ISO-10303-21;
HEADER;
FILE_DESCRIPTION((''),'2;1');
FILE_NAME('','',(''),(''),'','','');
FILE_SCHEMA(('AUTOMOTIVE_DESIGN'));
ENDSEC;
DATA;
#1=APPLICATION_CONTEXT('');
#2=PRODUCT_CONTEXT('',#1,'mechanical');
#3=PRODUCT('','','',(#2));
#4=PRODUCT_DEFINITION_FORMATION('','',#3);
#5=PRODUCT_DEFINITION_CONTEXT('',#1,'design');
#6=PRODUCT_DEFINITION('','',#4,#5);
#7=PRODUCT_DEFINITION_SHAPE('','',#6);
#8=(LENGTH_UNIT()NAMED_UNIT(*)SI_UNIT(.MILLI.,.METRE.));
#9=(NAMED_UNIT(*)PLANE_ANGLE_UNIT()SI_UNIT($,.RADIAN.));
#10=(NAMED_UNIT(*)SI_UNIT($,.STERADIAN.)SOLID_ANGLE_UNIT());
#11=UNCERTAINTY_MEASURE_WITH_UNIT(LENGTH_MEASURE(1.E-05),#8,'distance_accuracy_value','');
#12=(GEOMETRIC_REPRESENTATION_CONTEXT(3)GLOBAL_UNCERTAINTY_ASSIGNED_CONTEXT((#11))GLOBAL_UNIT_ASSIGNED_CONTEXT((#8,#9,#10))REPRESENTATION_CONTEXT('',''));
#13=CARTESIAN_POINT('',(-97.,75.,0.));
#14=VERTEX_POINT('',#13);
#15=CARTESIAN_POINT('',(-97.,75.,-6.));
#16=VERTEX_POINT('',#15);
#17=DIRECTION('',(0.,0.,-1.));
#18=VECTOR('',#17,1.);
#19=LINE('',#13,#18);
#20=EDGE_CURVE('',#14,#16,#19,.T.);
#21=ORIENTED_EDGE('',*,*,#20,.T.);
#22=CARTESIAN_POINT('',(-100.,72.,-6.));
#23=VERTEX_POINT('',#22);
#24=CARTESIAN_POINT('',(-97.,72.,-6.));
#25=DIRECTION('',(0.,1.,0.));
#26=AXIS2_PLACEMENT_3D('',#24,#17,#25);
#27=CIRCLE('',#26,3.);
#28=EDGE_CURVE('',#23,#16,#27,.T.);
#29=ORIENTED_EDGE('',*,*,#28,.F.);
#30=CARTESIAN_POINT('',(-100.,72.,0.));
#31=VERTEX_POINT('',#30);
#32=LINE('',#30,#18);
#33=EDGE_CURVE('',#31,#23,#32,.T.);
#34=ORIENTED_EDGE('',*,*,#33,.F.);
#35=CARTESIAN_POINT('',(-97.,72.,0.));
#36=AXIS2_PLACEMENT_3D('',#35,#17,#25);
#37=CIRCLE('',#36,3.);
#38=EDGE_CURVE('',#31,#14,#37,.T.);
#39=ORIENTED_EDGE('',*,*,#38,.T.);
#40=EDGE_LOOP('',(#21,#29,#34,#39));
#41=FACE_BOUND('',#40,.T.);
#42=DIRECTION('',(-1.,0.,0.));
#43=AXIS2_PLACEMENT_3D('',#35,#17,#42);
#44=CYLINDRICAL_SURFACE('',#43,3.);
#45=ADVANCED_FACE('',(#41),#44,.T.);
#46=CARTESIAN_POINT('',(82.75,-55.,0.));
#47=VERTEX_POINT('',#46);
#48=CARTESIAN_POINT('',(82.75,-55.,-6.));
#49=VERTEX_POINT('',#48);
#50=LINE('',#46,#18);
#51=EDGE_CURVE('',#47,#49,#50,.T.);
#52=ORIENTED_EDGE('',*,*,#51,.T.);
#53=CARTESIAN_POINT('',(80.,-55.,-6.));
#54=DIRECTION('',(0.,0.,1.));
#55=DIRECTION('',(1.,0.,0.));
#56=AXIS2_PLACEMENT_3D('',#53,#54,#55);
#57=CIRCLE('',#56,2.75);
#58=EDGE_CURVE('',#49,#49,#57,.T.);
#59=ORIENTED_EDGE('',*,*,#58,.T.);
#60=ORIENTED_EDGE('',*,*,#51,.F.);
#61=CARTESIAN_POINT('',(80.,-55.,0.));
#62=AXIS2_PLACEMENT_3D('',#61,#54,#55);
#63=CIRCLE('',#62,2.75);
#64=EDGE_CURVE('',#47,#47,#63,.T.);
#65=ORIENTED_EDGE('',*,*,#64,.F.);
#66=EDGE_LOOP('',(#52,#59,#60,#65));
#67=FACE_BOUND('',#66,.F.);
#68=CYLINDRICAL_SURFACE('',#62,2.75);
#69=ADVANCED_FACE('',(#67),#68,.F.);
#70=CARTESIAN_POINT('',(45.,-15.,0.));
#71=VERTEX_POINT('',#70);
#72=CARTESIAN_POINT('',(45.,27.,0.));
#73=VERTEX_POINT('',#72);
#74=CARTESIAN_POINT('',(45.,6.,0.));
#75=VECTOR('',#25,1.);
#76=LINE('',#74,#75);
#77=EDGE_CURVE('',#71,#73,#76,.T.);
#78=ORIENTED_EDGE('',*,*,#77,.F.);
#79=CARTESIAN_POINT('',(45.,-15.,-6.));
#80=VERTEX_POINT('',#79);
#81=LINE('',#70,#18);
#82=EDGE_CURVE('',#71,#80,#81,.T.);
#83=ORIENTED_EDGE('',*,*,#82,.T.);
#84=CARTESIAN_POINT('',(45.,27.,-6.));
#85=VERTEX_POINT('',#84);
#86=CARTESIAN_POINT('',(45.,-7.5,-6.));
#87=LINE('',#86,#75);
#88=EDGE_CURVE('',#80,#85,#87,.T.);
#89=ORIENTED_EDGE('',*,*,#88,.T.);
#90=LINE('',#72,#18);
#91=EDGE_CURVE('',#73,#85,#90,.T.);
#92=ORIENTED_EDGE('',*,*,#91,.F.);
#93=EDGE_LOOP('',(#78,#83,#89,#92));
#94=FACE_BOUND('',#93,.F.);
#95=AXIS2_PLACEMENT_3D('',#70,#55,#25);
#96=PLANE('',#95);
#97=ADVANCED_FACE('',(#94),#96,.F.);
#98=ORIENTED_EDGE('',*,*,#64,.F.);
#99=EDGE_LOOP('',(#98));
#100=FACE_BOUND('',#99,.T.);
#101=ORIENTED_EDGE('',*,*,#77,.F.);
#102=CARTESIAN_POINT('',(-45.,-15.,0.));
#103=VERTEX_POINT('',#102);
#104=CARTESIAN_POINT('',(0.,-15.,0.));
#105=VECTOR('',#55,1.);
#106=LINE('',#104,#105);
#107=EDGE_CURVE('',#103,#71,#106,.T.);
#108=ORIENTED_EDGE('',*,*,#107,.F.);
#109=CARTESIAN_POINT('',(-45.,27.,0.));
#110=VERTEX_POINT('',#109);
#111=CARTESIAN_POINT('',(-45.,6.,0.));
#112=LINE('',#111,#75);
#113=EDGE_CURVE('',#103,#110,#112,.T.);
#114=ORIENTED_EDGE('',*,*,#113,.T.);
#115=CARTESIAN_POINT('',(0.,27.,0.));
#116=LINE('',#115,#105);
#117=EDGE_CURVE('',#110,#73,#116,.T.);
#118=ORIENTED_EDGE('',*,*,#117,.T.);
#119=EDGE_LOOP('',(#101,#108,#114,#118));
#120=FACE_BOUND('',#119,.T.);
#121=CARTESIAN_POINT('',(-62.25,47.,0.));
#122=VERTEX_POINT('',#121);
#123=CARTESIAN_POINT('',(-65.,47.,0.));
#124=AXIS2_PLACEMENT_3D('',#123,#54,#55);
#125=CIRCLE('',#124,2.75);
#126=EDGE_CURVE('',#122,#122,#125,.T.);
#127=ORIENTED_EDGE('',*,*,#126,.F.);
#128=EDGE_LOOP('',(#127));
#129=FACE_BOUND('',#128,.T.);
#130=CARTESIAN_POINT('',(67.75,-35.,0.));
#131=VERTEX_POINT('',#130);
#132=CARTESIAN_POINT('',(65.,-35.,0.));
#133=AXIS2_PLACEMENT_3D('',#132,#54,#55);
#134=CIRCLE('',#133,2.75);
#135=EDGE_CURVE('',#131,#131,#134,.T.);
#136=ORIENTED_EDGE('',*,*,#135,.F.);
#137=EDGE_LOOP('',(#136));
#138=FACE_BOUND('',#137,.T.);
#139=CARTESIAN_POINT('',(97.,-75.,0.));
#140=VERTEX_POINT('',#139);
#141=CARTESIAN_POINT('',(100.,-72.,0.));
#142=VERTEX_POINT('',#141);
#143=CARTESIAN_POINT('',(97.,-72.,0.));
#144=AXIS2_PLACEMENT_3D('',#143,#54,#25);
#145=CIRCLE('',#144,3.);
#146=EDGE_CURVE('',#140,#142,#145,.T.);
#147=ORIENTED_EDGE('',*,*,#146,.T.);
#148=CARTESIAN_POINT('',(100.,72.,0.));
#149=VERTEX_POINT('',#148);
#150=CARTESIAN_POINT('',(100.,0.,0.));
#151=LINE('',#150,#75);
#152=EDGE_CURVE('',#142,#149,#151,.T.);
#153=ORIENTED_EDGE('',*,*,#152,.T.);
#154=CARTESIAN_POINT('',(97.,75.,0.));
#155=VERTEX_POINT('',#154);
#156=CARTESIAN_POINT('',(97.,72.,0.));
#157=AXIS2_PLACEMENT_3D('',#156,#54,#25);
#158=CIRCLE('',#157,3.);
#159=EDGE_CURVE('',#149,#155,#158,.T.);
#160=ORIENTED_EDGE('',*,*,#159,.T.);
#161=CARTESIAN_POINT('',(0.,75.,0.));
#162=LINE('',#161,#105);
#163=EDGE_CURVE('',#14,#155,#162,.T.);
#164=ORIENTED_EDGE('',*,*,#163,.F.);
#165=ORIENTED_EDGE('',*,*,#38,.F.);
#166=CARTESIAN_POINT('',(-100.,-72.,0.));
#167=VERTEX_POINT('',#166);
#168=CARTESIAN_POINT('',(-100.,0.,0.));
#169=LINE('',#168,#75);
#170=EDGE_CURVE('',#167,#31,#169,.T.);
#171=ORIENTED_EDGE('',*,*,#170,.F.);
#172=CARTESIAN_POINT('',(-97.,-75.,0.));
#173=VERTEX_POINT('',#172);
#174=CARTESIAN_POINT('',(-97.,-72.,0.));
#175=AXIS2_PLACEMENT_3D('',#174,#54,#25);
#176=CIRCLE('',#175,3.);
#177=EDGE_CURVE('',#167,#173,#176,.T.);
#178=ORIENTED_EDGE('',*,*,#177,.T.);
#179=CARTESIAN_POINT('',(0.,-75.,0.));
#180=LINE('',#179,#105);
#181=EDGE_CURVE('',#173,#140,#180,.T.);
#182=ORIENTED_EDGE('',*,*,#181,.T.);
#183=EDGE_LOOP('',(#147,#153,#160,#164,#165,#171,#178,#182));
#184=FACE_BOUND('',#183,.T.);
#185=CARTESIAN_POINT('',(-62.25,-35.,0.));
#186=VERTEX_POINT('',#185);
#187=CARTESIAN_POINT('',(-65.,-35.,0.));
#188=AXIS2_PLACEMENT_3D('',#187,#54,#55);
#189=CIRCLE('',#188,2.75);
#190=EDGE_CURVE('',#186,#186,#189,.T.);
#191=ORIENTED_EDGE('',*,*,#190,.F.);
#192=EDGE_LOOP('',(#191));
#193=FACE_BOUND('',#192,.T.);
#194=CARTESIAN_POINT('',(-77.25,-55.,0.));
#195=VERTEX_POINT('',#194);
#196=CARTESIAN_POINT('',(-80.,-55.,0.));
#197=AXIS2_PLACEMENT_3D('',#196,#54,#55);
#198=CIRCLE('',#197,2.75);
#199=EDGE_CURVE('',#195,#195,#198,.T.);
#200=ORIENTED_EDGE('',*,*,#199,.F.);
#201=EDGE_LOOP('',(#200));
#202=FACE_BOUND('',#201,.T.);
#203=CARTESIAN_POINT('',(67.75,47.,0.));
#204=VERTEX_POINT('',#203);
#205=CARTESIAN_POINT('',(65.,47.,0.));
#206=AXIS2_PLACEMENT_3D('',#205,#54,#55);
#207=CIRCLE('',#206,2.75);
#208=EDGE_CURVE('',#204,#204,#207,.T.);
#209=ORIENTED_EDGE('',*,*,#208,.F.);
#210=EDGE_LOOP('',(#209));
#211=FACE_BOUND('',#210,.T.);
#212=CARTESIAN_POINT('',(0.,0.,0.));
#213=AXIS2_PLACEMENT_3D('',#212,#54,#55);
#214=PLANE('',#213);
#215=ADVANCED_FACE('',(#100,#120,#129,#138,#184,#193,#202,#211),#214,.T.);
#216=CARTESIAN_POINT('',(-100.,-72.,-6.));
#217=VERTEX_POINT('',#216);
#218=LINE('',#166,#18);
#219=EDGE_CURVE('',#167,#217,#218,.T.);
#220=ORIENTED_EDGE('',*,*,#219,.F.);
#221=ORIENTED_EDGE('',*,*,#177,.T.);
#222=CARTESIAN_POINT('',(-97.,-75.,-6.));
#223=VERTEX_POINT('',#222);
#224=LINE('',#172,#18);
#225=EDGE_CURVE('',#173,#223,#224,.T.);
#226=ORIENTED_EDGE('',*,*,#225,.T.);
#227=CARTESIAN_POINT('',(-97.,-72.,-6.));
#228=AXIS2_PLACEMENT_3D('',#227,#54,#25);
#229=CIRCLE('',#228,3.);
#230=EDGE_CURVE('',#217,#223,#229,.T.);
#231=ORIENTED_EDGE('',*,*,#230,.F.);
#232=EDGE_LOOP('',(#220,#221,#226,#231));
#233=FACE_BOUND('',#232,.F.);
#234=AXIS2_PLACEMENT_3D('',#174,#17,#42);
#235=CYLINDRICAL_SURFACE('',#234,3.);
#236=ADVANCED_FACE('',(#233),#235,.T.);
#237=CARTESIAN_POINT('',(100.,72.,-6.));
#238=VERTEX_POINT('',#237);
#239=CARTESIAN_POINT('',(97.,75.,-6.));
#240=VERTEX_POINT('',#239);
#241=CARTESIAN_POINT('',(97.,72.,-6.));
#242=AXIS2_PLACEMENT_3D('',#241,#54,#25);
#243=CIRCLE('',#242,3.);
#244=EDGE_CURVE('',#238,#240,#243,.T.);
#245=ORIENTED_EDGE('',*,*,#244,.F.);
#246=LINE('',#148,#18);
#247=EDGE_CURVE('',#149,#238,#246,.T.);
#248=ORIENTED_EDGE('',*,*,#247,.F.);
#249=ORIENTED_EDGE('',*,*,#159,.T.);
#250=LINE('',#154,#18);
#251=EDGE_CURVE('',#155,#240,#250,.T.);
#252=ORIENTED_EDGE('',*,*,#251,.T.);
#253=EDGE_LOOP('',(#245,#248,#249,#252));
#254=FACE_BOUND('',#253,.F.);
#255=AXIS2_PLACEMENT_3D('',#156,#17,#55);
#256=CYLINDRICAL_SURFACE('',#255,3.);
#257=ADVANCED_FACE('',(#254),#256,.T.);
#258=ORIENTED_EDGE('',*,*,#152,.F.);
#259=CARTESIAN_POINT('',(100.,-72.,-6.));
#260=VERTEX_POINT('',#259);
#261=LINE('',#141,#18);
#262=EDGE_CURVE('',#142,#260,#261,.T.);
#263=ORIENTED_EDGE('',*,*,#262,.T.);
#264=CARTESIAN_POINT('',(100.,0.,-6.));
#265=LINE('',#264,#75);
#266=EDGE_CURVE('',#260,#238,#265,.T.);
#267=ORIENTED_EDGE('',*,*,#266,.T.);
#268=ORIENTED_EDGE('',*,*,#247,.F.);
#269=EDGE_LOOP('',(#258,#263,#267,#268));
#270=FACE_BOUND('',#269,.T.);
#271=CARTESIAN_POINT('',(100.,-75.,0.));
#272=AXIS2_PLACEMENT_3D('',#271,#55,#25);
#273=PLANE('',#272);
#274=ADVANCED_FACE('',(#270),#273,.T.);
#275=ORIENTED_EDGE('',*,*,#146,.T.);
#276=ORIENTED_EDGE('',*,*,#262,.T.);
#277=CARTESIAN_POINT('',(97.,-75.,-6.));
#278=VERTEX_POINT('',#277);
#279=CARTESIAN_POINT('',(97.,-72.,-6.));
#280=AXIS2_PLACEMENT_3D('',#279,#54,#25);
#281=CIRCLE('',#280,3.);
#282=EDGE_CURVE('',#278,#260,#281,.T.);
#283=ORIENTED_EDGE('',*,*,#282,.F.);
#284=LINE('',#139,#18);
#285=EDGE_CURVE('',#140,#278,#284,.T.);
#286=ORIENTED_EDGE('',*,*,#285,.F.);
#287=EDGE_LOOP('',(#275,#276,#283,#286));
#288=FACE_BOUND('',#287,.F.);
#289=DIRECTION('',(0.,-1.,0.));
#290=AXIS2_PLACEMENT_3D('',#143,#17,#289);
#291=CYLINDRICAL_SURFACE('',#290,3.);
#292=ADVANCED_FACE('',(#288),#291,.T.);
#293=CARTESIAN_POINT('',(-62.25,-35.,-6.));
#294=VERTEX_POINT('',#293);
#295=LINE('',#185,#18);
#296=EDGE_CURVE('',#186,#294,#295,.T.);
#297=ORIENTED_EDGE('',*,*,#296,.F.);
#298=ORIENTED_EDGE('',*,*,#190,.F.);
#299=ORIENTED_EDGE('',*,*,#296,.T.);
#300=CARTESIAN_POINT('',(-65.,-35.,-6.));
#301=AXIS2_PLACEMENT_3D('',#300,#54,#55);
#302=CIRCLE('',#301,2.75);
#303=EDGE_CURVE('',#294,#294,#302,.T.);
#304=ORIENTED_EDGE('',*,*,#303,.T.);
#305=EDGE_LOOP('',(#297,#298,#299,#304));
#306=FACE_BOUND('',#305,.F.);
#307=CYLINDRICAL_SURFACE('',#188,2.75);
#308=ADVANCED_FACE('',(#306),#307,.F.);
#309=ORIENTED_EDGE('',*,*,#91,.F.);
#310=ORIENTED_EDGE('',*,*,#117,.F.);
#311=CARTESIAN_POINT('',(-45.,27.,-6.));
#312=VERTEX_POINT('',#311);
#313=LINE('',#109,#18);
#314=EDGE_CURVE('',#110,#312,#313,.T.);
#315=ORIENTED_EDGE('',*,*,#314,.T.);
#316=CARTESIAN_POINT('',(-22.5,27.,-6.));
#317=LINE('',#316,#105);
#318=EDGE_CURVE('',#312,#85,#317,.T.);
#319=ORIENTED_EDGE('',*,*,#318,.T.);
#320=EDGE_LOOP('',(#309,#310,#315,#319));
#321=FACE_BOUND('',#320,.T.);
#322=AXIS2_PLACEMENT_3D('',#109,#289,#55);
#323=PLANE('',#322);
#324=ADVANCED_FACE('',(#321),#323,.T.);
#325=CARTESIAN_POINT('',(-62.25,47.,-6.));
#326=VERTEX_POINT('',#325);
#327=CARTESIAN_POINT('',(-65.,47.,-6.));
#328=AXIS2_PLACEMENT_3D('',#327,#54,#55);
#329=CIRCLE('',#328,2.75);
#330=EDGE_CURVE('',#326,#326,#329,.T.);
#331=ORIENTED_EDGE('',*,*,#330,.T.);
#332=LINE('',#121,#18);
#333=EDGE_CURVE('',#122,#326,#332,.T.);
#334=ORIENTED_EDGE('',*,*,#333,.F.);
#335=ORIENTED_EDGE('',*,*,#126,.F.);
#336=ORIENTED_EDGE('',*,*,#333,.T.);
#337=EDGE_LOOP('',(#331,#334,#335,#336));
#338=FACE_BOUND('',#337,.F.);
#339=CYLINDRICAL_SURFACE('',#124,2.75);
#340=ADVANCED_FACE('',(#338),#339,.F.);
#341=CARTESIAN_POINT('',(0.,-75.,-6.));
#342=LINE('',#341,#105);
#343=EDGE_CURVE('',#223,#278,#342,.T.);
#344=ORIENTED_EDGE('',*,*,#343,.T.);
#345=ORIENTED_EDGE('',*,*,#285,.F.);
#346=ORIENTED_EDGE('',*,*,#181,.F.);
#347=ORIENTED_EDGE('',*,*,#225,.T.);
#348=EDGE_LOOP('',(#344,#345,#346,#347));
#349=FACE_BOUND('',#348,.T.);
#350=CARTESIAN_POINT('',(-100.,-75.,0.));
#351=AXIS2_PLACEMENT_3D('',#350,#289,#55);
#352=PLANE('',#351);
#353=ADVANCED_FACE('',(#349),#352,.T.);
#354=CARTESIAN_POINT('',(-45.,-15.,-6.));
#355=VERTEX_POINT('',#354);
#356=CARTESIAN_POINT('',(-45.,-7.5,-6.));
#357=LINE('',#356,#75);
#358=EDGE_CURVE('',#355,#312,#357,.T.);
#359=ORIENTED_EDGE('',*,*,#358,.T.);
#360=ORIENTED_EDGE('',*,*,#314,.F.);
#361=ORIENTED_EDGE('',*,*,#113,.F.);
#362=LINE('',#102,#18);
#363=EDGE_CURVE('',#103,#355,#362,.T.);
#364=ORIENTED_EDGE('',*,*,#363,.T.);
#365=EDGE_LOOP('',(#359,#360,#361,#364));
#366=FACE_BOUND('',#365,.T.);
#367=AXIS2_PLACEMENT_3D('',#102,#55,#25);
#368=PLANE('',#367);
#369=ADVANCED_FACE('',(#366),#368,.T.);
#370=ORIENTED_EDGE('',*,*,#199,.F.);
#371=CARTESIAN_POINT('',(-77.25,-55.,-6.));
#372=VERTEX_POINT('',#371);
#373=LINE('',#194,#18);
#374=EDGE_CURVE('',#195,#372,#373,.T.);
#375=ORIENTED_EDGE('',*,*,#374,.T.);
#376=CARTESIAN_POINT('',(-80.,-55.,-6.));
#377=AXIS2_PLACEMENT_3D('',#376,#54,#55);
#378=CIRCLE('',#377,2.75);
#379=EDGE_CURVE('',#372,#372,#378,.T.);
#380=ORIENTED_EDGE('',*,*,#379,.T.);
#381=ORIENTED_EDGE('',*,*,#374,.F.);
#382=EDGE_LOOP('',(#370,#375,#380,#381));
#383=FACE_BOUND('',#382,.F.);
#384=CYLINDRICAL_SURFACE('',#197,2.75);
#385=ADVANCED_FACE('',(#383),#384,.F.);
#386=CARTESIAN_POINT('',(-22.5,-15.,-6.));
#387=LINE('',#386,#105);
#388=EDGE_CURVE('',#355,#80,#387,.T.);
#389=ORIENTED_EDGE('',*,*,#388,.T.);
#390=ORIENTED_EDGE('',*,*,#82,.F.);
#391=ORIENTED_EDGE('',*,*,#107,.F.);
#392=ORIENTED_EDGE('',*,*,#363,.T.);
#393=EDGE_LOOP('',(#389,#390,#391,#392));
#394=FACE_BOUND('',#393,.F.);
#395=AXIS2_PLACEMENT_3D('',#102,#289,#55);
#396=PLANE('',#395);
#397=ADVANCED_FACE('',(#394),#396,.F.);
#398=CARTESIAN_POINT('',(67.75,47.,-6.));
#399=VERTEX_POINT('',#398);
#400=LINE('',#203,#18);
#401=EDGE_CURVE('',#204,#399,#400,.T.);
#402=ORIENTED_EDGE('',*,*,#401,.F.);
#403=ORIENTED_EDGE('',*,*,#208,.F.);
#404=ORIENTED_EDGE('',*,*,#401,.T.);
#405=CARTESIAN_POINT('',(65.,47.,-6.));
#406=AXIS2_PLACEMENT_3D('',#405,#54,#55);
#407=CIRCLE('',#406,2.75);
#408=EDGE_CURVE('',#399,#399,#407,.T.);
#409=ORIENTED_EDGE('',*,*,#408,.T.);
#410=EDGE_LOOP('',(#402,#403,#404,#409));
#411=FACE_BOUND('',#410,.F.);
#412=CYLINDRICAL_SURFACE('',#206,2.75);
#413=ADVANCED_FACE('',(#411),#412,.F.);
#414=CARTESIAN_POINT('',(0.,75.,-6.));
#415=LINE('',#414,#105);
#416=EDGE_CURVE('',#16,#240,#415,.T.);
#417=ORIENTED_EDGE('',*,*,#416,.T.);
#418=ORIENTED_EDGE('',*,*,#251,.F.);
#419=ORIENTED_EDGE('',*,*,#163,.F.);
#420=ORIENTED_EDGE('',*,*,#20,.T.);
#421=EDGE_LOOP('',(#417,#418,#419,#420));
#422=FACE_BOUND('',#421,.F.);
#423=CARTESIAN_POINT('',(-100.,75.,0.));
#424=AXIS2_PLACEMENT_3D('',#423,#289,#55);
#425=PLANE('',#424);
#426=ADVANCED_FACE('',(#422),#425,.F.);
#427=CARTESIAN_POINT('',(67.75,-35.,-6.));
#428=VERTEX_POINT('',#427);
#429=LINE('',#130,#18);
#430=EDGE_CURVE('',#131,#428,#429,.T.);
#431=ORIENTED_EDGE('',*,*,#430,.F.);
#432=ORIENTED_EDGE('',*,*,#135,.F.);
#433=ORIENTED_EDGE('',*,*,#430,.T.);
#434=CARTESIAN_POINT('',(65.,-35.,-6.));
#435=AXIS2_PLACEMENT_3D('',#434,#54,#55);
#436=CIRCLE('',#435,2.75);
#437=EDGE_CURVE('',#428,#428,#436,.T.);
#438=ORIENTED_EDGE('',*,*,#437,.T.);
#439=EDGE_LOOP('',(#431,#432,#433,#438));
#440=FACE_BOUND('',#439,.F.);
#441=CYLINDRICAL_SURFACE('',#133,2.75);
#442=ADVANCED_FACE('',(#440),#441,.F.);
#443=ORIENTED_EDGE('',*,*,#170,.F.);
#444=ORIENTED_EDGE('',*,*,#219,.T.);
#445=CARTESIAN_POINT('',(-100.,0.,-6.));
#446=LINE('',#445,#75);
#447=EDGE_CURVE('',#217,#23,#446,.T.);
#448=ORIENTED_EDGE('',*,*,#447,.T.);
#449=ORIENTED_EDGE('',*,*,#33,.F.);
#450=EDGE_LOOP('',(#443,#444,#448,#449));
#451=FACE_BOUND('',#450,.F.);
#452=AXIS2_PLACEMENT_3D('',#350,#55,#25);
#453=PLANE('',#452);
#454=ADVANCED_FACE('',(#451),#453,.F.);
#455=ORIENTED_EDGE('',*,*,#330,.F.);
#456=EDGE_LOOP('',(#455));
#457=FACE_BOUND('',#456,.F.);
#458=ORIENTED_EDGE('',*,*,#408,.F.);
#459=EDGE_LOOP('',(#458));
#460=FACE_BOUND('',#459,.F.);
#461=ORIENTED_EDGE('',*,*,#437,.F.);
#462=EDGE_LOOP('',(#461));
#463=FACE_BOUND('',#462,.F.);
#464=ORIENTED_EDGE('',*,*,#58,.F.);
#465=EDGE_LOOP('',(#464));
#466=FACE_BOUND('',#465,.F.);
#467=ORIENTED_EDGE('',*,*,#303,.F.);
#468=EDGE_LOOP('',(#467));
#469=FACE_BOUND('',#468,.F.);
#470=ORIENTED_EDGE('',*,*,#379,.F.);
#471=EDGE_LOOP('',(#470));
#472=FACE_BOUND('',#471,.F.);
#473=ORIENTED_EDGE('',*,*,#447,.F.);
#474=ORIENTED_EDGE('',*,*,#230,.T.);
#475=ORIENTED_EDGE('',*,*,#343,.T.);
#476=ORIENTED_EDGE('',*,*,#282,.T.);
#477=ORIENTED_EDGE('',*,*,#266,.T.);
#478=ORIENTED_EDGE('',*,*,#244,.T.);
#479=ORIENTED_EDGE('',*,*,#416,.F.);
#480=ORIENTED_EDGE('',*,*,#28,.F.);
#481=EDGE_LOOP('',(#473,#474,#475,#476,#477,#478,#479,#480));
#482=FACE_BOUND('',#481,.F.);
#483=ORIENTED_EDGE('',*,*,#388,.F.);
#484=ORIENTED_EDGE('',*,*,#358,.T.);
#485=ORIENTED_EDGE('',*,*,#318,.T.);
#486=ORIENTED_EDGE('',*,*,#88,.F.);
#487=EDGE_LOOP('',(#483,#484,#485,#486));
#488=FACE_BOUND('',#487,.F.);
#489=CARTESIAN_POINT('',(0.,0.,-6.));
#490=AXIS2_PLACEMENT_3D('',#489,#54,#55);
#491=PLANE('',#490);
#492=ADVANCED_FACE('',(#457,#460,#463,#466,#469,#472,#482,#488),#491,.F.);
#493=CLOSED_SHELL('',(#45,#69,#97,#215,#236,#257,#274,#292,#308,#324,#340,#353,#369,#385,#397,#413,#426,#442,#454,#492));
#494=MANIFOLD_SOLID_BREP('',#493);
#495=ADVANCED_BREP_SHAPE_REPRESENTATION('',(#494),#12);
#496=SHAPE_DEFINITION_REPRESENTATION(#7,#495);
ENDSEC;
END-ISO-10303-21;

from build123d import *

# Parameters (mm, degrees)
SKETCH_W     = 200
SKETCH_H     = 150
PAD_DEPTH    = 6
FILLET_R     = 3
SKETCH001_R  = 2.75
SKETCH001_W  = 90
SKETCH001_H  = 42
POCKET_DEPTH = 6.001


with BuildPart() as part:
    # Sketch → Pad (new body)
    with BuildSketch(Plane.XY):
        Rectangle(SKETCH_W, SKETCH_H)
    extrude(amount=-PAD_DEPTH)

    # Fillet
    fillet_edges = [part.edges().sort_by_distance(p)[0] for p in [
        (-100, -75, -3),
        (100, -75, -3),
        (100, 75, -3),
        (-100, 75, -3),
    ]]
    fillet(fillet_edges, radius=FILLET_R)

    # Sketch001 (on Face2 of Fillet) → Pocket (cut, through all)
    with BuildSketch(Plane.XY):
        with Locations((-80, -55)):
            Circle(SKETCH001_R)
        with Locations((80, -55)):
            Circle(SKETCH001_R)
        with Locations((-65, 47)):
            Circle(SKETCH001_R)
        with Locations((65, 47)):
            Circle(SKETCH001_R)
        with Locations((65, -35)):
            Circle(SKETCH001_R)
        with Locations((-65, -35)):
            Circle(SKETCH001_R)
        with Locations((0, 6)):
            Rectangle(SKETCH001_W, SKETCH001_H)
    extrude(amount=-POCKET_DEPTH, mode=Mode.SUBTRACT)


solid = part.part
